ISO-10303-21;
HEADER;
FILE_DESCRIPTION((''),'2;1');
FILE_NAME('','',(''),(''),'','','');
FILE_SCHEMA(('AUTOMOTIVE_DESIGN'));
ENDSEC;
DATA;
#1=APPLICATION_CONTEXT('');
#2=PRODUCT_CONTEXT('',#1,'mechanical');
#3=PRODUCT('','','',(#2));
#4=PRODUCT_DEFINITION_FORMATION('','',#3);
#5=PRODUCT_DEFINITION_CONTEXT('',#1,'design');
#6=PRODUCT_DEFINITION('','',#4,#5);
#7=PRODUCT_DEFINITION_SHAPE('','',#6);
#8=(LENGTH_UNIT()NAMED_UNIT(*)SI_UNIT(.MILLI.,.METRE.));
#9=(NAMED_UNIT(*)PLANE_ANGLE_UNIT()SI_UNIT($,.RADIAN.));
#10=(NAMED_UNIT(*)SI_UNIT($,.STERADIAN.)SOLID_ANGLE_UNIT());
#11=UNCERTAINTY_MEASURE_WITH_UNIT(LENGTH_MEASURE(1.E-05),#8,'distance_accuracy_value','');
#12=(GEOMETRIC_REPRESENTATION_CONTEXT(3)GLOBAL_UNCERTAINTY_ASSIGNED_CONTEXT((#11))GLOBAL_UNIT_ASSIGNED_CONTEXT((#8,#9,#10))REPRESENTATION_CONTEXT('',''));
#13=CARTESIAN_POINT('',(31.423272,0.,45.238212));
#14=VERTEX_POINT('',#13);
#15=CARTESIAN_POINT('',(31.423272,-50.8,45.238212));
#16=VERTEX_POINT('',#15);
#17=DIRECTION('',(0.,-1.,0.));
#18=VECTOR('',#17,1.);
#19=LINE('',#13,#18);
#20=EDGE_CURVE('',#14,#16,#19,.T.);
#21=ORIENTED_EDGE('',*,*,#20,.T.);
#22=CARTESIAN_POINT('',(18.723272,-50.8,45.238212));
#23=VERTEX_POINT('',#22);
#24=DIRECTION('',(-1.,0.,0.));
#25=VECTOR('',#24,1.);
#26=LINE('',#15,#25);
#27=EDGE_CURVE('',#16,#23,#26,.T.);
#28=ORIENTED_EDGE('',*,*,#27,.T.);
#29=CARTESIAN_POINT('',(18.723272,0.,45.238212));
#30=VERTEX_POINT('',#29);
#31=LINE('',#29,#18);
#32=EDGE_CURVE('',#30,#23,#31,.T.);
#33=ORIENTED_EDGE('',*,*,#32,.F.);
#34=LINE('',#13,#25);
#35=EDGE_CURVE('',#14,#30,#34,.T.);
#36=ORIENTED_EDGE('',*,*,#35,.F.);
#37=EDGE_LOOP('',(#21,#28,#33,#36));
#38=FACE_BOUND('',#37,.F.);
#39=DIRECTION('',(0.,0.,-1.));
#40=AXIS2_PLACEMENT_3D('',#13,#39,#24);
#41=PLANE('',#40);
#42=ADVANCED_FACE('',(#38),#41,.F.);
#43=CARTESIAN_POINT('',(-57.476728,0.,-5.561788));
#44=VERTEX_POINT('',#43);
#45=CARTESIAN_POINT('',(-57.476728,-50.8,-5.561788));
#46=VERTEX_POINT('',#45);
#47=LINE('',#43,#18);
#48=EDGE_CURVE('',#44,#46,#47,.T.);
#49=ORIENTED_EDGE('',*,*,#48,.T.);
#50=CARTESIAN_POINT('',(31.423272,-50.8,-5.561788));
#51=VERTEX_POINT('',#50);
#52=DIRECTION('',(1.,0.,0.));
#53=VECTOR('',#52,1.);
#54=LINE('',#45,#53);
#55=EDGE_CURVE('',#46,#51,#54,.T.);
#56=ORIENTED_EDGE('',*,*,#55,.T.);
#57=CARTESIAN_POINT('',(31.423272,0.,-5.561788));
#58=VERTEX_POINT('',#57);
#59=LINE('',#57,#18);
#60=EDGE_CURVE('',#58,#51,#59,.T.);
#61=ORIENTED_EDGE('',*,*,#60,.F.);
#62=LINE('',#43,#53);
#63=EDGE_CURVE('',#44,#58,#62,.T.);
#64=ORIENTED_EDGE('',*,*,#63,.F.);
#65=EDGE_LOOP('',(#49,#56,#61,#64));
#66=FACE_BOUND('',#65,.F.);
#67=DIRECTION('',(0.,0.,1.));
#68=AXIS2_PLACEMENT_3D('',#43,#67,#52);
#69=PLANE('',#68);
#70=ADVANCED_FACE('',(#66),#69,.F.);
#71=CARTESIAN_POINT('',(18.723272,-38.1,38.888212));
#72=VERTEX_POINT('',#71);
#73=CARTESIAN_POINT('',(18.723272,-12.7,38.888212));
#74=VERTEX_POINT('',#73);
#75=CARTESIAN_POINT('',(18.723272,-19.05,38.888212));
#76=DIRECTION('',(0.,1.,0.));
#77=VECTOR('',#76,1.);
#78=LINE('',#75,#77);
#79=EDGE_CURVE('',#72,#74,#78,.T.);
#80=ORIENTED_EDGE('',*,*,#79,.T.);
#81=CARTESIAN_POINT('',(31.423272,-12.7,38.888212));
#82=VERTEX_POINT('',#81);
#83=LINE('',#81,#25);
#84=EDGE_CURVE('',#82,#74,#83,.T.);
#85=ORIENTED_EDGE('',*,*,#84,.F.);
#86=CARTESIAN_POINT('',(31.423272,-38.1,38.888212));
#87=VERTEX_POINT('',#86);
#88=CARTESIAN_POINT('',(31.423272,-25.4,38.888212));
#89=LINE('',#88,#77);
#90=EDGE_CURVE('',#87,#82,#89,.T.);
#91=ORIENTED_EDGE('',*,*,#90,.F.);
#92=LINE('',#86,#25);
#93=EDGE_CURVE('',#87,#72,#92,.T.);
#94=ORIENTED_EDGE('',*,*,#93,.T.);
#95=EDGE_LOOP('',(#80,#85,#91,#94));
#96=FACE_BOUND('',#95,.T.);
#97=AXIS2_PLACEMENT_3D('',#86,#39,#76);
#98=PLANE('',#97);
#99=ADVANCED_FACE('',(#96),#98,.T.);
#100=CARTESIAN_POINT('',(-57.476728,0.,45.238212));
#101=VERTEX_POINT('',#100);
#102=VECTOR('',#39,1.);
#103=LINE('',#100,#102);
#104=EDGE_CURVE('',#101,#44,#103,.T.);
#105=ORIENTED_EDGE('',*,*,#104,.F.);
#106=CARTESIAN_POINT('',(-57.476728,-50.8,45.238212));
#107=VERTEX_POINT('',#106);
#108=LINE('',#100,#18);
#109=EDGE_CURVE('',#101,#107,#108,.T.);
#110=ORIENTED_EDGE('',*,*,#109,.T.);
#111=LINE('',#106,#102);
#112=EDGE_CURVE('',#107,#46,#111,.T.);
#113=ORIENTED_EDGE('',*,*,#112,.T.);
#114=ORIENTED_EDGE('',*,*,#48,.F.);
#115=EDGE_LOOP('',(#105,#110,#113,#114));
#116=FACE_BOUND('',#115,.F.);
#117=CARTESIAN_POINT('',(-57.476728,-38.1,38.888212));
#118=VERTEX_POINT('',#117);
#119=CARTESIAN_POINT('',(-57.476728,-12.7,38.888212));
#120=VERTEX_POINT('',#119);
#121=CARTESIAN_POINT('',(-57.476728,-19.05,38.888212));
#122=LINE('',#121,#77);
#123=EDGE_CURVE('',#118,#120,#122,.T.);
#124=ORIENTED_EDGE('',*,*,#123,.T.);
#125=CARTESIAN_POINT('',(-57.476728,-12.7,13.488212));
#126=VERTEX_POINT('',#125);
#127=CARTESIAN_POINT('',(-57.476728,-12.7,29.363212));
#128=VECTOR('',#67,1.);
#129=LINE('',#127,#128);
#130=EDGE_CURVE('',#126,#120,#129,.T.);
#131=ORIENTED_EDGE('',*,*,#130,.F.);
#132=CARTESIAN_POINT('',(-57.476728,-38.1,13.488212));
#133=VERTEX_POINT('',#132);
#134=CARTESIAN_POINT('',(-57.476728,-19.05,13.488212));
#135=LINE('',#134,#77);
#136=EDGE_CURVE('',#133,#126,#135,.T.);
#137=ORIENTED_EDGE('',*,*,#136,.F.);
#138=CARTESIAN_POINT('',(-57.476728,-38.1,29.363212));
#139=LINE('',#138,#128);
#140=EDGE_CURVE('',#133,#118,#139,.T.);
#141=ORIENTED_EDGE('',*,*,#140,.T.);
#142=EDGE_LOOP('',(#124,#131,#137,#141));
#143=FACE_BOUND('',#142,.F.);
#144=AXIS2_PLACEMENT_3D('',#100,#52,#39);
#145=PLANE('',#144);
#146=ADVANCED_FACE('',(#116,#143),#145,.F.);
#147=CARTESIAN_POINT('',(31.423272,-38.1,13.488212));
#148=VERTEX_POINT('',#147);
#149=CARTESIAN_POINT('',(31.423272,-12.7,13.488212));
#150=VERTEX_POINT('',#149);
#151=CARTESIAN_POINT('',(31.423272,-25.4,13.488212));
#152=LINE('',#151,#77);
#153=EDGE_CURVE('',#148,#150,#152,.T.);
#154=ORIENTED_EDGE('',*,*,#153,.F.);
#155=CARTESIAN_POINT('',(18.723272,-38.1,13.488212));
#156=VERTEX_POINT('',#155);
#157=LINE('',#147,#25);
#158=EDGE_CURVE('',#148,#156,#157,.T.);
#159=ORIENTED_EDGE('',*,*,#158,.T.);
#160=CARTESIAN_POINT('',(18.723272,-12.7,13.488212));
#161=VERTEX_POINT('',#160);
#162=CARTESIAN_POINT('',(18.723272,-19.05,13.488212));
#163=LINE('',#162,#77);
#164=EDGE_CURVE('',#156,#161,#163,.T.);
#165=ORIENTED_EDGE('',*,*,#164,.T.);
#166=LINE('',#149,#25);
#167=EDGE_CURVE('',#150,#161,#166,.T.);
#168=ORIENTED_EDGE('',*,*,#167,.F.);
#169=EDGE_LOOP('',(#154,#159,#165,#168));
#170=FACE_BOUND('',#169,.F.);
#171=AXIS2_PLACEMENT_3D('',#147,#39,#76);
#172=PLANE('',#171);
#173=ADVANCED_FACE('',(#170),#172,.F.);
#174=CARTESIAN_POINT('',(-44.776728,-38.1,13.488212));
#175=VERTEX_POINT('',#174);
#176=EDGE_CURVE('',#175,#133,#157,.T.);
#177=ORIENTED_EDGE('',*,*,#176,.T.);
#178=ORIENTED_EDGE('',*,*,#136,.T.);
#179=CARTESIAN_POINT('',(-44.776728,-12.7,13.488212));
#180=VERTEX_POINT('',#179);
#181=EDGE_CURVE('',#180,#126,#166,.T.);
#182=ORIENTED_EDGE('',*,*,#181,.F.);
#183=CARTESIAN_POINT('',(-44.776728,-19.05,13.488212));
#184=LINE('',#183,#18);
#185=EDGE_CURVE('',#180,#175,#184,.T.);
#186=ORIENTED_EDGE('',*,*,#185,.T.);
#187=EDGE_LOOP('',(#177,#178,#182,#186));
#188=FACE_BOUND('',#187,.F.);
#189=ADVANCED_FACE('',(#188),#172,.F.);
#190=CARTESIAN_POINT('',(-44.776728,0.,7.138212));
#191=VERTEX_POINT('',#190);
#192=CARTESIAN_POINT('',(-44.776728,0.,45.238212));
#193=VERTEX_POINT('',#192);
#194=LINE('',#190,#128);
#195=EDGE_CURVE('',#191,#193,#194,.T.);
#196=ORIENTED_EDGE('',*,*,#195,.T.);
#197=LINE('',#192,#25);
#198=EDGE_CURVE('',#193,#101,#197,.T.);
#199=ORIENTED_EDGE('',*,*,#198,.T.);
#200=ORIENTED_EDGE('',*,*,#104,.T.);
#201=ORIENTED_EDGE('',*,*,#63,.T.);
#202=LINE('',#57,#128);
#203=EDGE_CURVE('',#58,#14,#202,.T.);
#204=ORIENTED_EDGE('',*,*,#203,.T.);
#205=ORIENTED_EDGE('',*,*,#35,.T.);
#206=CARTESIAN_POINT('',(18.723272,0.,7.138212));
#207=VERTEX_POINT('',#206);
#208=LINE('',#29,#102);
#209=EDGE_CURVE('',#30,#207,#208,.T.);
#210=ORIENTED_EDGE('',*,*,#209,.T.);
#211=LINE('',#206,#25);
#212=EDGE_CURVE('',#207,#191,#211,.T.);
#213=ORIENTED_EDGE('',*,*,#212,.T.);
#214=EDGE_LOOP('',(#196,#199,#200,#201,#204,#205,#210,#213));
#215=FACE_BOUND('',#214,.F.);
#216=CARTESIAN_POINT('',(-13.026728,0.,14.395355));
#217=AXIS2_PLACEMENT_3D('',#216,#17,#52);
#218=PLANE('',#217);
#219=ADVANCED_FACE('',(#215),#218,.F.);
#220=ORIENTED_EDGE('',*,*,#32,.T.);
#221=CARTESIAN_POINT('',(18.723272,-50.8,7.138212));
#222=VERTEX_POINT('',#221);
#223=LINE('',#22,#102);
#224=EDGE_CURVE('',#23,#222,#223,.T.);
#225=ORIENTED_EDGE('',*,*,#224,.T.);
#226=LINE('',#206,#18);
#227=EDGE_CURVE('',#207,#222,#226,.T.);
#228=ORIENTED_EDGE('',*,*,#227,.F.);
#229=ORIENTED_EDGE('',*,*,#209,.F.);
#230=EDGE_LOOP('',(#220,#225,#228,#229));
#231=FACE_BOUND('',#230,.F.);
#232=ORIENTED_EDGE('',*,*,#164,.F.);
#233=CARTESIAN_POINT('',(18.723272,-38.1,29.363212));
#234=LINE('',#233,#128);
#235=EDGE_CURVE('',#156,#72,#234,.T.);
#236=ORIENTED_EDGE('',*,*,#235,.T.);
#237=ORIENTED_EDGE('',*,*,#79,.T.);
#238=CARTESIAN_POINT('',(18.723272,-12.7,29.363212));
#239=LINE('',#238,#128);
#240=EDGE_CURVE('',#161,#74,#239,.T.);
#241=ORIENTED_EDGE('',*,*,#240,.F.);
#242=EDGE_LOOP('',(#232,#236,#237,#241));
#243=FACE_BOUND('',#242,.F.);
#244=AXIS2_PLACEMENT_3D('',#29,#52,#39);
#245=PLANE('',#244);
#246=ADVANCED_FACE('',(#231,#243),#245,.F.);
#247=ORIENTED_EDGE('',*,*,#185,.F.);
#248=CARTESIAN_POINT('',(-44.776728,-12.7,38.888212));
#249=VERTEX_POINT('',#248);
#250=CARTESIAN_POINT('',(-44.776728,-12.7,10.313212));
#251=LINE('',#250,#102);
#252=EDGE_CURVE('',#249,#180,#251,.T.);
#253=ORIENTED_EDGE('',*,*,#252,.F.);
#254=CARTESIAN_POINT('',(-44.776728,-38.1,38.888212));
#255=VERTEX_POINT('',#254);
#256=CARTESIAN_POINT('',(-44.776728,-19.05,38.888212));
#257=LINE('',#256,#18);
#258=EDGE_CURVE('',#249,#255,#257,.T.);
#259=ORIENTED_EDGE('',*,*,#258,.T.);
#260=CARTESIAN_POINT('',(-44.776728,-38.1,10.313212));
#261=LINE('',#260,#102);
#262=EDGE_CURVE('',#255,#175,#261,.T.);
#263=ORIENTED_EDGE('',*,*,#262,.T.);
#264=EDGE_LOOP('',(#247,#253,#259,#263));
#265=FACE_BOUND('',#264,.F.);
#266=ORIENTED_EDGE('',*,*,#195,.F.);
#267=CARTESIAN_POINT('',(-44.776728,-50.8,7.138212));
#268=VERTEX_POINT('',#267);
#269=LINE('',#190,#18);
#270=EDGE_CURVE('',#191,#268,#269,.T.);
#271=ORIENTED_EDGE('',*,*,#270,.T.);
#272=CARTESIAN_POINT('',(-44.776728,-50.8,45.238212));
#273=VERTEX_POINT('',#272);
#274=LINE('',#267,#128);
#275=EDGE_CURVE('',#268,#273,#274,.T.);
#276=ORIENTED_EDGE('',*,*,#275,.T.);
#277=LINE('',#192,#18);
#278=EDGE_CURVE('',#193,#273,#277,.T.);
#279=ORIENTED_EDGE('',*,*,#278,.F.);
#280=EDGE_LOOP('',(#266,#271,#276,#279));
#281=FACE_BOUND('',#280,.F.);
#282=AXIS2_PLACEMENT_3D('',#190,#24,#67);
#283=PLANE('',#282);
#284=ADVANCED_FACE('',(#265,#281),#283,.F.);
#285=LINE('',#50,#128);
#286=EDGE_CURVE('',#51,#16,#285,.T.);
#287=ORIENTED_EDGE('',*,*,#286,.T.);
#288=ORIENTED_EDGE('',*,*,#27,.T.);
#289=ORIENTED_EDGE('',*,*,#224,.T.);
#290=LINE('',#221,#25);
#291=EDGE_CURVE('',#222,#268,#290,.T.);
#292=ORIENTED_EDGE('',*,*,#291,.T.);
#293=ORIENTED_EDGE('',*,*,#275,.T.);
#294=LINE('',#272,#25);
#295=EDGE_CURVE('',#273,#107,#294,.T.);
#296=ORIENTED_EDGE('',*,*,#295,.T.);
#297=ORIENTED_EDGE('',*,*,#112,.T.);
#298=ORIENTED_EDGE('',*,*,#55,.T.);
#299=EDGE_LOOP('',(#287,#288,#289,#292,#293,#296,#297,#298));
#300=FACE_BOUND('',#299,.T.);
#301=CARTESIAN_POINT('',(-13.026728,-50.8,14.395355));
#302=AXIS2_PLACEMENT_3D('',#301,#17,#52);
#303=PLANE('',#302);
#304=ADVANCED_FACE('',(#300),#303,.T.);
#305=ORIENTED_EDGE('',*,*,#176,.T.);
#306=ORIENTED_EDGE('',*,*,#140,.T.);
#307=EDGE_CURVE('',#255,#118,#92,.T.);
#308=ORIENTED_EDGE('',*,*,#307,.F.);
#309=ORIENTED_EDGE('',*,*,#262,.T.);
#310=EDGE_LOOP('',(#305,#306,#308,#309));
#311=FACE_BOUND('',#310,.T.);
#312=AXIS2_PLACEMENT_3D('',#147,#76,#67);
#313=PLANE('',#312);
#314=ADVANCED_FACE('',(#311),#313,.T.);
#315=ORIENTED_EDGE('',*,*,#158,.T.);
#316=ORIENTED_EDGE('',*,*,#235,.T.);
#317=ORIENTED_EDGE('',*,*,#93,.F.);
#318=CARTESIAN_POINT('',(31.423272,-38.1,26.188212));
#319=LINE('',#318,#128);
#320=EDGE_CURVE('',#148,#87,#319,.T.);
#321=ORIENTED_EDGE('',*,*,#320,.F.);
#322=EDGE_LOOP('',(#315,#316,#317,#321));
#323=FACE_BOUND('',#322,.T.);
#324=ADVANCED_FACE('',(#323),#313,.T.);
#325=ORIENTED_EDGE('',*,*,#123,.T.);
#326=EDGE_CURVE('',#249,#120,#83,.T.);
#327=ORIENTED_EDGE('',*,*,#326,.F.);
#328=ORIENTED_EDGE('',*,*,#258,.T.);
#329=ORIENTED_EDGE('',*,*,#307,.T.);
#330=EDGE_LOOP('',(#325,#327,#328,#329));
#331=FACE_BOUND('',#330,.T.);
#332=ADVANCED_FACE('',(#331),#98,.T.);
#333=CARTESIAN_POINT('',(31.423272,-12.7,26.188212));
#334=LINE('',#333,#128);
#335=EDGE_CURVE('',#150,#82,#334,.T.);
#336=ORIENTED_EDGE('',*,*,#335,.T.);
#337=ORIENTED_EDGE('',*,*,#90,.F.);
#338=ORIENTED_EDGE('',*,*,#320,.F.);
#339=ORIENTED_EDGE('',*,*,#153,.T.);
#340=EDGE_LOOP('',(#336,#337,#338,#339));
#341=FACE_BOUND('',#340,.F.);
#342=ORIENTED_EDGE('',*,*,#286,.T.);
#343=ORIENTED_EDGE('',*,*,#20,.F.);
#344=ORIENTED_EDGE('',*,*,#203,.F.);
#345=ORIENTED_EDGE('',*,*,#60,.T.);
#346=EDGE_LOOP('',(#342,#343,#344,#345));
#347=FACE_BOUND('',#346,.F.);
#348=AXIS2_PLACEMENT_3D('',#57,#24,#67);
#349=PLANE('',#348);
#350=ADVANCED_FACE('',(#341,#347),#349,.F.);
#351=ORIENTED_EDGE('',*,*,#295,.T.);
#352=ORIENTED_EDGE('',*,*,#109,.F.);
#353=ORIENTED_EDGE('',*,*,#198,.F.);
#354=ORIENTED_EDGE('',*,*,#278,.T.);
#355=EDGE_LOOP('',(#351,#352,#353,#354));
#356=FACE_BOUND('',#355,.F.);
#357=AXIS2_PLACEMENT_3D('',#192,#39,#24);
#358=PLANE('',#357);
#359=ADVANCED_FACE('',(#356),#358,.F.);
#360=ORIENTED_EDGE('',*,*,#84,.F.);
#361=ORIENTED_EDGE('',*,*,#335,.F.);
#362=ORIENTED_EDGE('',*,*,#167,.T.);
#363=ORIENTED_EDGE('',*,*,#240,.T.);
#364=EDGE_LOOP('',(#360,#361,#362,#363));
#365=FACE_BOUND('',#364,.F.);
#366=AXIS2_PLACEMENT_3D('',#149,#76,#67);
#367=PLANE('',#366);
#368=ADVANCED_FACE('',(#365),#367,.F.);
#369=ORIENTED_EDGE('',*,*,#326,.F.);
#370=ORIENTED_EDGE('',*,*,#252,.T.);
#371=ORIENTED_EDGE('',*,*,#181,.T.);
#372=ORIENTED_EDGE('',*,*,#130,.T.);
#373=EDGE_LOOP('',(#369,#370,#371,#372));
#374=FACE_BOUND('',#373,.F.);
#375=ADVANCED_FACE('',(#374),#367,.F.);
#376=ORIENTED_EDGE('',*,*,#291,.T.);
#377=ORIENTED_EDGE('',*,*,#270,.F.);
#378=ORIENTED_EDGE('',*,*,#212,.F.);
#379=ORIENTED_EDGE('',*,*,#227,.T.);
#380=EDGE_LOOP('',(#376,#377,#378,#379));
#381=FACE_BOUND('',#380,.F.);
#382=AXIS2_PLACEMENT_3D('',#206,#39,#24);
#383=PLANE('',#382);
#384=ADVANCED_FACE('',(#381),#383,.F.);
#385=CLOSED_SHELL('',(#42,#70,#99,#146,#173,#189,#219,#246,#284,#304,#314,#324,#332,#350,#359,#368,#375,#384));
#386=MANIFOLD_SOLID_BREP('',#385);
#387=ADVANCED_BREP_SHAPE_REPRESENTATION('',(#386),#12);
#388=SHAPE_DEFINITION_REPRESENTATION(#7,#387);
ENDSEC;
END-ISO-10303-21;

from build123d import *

# Parameters (mm, degrees)
F1_DEPTH = 50.8
F2_W     = 25.4
F2_H     = 25.4
F3_DEPTH = 88.901


with BuildPart() as f1:
    # F0 (on Front) → F1 (new body)
    with BuildSketch(Plane.XZ):
        Polygon((-44.776728, 45.238212), (-57.476728, 45.238212), (-57.476728, -5.561788), (31.423272, -5.561788), (31.423272, 45.238212), (18.723272, 45.238212), (18.723272, 7.138212), (-44.776728, 7.138212), align=None)
    extrude(amount=F1_DEPTH)

    # F2 (on face) → F3 (cut, through all)
    with BuildSketch(Plane.YZ.offset(31.423272)):
        with Locations((-25.4, 26.188212)):
            Rectangle(F2_W, F2_H)
    extrude(amount=-F3_DEPTH, mode=Mode.SUBTRACT)


solid = f1.part
